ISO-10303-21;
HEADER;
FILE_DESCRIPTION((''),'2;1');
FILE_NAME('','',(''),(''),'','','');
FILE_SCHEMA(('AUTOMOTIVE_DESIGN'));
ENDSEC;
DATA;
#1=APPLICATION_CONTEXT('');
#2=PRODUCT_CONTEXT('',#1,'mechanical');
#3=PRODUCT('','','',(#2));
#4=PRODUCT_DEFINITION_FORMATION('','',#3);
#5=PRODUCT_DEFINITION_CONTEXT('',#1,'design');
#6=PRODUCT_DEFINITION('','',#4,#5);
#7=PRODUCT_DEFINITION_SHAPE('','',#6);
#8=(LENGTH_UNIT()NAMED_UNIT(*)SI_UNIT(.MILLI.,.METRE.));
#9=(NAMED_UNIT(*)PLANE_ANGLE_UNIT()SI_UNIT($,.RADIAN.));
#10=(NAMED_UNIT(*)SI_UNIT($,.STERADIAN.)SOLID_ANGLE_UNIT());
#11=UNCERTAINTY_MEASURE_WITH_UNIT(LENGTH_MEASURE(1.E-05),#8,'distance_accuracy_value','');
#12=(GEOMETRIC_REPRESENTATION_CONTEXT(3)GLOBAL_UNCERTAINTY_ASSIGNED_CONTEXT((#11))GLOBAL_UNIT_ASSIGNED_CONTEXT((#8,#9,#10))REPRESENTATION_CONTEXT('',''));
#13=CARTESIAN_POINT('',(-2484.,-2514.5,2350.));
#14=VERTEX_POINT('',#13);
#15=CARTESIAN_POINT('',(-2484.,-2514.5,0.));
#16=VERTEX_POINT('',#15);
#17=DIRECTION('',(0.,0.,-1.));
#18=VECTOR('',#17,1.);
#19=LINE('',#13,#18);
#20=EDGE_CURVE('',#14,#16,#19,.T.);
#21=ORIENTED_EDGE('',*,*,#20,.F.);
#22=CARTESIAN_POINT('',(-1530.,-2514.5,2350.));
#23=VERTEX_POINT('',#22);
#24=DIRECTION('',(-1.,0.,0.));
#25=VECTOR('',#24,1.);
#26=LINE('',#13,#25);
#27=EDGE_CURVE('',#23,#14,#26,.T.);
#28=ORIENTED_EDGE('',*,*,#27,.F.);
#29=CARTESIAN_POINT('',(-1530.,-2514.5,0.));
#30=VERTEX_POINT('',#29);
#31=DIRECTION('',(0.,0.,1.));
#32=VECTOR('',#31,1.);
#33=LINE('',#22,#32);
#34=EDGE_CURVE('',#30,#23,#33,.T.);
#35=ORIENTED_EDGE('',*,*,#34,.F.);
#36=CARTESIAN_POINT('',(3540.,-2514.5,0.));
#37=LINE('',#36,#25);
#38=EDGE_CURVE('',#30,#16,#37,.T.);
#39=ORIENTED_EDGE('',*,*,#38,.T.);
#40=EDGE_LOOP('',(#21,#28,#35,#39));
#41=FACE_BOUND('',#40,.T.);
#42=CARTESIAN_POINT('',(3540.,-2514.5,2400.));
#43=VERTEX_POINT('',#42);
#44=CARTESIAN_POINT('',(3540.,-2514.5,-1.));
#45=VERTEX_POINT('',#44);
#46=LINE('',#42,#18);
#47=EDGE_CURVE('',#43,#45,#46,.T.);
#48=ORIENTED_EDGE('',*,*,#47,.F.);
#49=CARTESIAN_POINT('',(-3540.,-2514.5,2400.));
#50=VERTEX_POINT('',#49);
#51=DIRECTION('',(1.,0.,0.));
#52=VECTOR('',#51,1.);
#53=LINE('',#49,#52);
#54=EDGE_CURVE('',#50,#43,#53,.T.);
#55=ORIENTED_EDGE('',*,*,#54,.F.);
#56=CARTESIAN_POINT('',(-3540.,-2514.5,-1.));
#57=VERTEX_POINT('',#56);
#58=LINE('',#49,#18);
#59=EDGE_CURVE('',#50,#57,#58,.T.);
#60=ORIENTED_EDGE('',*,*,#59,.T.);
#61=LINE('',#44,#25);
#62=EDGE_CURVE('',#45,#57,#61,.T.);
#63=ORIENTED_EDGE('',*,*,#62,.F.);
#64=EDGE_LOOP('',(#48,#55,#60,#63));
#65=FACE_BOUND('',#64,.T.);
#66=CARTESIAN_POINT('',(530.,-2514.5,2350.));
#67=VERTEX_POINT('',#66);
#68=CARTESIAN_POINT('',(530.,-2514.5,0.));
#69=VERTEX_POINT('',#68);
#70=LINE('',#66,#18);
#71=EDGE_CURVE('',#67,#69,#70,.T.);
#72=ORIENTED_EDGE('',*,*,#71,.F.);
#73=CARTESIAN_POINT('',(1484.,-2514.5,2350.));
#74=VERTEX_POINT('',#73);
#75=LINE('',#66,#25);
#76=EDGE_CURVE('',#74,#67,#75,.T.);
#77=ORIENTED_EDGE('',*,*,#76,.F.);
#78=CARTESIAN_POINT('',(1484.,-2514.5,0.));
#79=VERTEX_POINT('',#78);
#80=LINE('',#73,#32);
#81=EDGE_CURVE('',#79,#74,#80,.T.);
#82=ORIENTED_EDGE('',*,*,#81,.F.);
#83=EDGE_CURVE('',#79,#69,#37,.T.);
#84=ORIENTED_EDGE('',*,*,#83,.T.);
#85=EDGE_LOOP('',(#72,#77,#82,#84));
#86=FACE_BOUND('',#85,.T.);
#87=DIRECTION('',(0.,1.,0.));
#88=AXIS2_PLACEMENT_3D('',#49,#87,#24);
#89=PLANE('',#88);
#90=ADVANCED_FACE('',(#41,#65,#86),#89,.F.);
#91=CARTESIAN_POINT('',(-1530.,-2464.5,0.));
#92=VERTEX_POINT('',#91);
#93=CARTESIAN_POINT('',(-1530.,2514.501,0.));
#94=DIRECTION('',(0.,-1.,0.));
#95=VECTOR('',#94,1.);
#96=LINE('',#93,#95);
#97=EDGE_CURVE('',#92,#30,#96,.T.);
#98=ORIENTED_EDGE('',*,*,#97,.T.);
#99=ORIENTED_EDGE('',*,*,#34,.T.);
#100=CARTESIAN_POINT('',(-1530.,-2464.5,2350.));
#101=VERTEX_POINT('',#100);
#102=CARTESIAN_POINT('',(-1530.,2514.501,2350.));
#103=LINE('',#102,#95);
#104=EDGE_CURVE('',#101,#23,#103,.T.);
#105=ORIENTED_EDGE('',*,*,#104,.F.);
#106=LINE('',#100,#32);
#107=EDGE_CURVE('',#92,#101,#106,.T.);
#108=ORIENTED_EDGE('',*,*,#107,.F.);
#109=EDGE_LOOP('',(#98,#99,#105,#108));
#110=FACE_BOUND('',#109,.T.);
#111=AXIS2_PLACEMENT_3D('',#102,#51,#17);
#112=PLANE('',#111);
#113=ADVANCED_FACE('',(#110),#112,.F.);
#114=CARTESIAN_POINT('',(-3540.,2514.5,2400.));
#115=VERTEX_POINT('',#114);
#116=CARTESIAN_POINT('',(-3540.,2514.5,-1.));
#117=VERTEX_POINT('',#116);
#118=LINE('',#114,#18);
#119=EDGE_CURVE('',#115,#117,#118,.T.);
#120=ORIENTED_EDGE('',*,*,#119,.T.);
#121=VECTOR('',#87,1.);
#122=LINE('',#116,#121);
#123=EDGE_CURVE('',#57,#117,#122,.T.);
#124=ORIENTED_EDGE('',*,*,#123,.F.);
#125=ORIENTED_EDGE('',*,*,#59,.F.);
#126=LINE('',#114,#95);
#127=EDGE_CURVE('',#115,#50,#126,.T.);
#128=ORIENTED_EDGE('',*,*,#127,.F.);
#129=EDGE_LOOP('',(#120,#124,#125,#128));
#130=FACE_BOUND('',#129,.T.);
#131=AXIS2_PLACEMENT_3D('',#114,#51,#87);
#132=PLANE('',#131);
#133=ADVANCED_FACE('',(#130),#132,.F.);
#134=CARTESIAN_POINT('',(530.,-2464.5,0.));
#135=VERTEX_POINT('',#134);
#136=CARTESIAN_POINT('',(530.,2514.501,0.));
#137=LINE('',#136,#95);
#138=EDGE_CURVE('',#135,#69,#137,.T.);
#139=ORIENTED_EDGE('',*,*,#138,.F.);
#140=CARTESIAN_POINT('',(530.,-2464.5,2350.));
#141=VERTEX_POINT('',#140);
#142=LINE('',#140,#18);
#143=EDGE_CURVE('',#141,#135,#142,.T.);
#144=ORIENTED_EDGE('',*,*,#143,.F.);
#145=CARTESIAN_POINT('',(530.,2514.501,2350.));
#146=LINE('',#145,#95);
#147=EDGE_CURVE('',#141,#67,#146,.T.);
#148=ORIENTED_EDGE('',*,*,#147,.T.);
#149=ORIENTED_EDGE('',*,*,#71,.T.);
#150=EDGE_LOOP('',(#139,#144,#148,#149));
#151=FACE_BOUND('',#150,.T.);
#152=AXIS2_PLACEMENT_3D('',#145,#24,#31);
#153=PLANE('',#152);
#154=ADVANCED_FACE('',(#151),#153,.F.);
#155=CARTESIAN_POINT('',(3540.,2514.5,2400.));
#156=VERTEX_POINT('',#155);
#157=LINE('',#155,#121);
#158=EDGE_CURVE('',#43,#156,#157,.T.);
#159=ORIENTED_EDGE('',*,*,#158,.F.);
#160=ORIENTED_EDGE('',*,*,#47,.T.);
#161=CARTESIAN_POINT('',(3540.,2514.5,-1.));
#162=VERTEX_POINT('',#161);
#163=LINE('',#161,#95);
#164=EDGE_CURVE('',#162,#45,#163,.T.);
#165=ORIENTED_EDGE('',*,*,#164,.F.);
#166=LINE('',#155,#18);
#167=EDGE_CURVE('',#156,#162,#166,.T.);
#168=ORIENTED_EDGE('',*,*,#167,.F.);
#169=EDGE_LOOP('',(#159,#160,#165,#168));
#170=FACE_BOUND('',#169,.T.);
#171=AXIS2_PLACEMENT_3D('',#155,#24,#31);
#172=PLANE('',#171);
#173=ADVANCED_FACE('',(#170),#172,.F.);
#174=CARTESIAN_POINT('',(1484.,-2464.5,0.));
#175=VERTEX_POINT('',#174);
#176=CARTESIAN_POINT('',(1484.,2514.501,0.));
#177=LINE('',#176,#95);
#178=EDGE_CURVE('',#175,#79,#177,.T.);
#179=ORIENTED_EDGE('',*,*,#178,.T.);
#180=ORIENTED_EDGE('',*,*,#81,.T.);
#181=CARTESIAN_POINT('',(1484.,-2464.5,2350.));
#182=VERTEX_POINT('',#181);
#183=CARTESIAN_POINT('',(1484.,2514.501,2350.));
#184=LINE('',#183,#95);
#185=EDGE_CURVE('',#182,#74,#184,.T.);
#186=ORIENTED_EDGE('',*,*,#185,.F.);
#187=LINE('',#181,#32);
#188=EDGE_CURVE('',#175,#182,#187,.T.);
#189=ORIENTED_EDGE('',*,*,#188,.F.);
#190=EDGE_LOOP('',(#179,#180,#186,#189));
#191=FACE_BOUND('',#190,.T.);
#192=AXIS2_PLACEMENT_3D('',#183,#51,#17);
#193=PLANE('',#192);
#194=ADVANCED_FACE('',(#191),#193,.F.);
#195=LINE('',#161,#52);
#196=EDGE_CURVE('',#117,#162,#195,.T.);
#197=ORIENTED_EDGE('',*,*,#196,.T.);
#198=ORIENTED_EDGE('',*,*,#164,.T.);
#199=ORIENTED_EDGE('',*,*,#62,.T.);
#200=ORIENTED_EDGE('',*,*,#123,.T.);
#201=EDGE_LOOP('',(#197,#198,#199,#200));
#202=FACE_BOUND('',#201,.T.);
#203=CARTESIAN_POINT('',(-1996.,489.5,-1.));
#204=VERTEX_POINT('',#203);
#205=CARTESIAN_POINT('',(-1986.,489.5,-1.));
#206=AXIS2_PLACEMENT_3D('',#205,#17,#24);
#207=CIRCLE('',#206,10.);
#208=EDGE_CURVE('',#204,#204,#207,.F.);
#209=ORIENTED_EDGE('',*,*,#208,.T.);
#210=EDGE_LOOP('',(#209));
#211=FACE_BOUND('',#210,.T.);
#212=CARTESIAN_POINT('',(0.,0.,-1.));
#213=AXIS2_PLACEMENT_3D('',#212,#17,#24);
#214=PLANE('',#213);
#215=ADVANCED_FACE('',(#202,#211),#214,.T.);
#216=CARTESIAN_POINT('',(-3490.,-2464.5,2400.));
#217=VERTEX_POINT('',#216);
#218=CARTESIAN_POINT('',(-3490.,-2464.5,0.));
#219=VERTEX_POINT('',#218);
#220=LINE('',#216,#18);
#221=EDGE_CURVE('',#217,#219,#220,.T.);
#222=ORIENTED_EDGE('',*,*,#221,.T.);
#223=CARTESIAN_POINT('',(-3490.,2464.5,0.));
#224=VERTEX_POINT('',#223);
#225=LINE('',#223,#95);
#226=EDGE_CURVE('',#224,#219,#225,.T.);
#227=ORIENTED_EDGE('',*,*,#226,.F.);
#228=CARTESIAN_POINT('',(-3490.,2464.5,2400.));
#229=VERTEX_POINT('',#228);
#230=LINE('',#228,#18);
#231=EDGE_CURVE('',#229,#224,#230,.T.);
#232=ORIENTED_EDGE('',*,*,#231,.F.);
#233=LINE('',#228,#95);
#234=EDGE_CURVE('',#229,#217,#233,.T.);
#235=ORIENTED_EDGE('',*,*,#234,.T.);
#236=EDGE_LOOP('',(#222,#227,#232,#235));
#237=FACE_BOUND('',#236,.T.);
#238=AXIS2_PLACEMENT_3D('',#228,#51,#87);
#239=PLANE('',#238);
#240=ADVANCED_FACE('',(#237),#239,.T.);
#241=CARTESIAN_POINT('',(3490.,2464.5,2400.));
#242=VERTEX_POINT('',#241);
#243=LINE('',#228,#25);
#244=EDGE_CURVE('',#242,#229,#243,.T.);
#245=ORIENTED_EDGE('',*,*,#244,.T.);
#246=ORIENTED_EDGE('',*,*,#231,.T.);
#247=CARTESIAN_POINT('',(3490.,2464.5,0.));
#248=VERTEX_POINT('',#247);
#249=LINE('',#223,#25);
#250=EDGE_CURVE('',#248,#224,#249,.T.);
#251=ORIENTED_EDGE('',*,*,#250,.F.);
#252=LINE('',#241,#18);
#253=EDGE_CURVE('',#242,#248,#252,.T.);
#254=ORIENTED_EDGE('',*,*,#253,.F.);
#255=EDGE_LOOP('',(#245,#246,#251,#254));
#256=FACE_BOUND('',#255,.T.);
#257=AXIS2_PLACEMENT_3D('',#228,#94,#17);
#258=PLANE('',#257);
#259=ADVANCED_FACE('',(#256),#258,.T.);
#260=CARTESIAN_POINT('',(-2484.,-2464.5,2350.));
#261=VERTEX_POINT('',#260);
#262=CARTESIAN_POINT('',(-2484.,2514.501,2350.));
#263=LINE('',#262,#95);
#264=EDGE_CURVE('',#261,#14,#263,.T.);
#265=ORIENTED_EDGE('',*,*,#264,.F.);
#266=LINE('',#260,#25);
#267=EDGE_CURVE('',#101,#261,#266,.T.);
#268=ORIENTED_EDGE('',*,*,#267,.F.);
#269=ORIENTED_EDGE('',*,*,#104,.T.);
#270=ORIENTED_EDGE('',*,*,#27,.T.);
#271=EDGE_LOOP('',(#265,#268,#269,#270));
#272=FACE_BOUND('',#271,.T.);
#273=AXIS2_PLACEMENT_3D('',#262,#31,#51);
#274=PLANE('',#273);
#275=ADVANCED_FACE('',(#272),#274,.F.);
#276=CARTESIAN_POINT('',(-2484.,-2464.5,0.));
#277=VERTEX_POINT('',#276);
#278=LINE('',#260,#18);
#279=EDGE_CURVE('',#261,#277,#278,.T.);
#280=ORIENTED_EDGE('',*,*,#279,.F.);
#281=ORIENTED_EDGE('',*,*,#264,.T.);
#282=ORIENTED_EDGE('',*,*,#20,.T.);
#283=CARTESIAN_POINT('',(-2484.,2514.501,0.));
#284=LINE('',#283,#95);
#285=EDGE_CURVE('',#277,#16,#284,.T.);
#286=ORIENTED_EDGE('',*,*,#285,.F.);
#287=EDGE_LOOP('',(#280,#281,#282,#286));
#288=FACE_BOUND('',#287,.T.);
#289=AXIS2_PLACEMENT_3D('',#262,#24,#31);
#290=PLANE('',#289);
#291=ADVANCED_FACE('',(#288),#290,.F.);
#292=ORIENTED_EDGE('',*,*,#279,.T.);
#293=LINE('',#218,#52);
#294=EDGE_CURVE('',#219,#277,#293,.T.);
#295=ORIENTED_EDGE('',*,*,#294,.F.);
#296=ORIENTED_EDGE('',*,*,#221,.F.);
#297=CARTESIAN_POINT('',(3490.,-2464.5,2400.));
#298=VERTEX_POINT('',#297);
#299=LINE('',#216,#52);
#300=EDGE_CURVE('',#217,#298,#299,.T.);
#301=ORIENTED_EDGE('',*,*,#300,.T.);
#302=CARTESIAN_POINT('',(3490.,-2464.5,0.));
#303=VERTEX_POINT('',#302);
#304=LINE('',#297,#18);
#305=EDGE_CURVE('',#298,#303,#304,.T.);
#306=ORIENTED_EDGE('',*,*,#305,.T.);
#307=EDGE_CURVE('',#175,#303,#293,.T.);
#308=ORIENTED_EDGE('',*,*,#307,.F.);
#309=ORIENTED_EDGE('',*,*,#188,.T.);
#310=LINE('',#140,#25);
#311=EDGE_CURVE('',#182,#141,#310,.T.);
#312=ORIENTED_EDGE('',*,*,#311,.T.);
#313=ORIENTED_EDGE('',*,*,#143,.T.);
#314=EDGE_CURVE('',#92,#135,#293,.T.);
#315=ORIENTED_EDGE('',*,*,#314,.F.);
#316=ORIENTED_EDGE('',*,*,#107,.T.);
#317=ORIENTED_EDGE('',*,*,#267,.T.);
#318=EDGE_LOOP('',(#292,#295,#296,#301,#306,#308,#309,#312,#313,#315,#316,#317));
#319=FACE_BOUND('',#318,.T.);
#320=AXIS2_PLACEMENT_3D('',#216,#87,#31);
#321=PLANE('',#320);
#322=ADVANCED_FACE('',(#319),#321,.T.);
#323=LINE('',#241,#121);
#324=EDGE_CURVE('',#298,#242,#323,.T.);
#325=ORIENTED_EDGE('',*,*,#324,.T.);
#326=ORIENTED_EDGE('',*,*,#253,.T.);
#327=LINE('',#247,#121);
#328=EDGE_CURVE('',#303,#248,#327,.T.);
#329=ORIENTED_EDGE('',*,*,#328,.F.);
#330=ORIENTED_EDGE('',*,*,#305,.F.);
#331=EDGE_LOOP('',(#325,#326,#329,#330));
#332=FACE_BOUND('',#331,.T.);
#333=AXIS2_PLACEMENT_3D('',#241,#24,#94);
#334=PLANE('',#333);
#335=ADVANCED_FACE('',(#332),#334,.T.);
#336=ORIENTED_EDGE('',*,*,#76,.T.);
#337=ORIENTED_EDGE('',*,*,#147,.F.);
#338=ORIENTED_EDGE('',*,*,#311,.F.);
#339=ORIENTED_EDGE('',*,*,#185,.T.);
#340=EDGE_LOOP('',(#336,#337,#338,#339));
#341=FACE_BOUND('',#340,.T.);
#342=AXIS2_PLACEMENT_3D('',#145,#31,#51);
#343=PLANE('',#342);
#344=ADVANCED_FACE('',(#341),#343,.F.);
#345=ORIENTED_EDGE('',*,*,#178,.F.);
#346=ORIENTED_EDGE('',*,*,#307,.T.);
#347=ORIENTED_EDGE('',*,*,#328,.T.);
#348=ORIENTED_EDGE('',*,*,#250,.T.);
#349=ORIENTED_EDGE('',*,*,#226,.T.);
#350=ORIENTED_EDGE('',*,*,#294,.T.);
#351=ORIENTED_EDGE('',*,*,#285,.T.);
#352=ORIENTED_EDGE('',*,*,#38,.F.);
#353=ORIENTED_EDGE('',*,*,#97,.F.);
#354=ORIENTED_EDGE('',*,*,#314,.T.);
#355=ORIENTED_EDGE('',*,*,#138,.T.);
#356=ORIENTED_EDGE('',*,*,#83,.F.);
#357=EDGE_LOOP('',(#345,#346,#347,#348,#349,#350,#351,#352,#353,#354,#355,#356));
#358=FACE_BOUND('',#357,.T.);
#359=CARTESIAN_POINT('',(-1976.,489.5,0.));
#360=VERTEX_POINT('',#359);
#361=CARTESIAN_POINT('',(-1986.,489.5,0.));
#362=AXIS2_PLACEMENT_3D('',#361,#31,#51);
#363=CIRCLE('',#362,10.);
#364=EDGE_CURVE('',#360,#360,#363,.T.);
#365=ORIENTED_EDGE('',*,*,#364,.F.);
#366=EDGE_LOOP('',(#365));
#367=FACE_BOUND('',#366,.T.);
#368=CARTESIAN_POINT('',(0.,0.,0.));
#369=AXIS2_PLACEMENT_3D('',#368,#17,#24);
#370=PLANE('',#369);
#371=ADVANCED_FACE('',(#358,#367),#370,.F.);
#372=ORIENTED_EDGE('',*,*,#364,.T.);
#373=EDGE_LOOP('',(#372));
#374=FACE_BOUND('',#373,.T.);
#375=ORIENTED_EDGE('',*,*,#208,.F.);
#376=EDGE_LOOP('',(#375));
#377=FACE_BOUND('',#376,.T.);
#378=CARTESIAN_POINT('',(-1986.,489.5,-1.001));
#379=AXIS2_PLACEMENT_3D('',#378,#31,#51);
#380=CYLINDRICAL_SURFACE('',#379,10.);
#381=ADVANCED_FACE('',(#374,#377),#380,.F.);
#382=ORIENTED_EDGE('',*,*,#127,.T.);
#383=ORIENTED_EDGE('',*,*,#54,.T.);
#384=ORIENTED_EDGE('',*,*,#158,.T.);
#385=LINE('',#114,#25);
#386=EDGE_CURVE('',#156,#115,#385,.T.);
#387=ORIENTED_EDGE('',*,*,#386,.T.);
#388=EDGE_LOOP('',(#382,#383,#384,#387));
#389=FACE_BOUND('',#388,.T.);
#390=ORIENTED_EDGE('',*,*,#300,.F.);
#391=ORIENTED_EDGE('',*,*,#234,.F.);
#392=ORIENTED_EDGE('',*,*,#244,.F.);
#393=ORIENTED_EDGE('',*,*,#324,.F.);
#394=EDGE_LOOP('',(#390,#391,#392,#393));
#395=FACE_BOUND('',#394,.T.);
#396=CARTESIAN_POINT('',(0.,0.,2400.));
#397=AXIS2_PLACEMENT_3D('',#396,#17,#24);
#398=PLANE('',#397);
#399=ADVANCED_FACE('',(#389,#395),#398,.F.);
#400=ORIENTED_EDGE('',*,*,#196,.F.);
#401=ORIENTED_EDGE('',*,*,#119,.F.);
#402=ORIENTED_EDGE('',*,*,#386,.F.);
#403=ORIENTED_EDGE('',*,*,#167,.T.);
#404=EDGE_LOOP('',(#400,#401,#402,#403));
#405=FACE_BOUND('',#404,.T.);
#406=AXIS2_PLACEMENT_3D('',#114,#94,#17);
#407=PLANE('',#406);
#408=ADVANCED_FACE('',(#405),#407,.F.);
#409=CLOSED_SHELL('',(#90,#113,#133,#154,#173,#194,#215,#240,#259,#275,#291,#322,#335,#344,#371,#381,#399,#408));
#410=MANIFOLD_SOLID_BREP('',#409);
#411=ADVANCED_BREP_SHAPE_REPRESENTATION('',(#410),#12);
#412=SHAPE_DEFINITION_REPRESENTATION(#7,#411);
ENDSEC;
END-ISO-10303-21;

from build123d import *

# Parameters (mm, degrees)
CROQUIS1_W              = 7080
CROQUIS1_H              = 5029
CROQUIS1_W_2            = 6980
CROQUIS1_H_2            = 4929
SALIENTE_EXTRUIR1_DEPTH = 2400
CORTAR_EXTRUIR1_REACH   = 5031
CROQUIS2_W              = 954
CROQUIS2_H              = 2350
CROQUIS3_W              = 7080
CROQUIS3_H              = 5029
SALIENTE_EXTRUIR2_DEPTH = 1
CORTAR_EXTRUIR2_REACH   = 3
CROQUIS4_R              = 10


with BuildPart() as part:
    # Croquis1 → Saliente-Extruir1 (new body)
    with BuildSketch(Plane.XY):
        Rectangle(CROQUIS1_W, CROQUIS1_H)
        Rectangle(CROQUIS1_W_2, CROQUIS1_H_2, mode=Mode.SUBTRACT)
    extrude(amount=SALIENTE_EXTRUIR1_DEPTH)

    # Croquis2 → Cortar-Extruir1 (cut, up to next)
    with BuildSketch(Plane.XZ.offset(2514.5), mode=Mode.PRIVATE) as cortar_extruir1_sk1:
        with Locations((-2007, 1175)):
            Rectangle(CROQUIS2_W, CROQUIS2_H)
    cortar_extruir1_tool1 = extrude(cortar_extruir1_sk1.sketch, amount=-CORTAR_EXTRUIR1_REACH, mode=Mode.PRIVATE) & part.part
    add(cortar_extruir1_tool1.solids().sort_by_distance((-2007, -2514.5, 1175))[0], mode=Mode.SUBTRACT)
    # Croquis2 → Cortar-Extruir1 (cut, up to next)
    with BuildSketch(Plane.XZ.offset(2514.5), mode=Mode.PRIVATE) as cortar_extruir1_sk2:
        with Locations((1007, 1175)):
            Rectangle(CROQUIS2_W, CROQUIS2_H)
    cortar_extruir1_tool2 = extrude(cortar_extruir1_sk2.sketch, amount=-CORTAR_EXTRUIR1_REACH, mode=Mode.PRIVATE) & part.part
    add(cortar_extruir1_tool2.solids().sort_by_distance((1007, -2514.5, 1175))[0], mode=Mode.SUBTRACT)

    # Croquis3 → Saliente-Extruir2 (add)
    with BuildSketch(Plane(origin=(0, 0, 0), x_dir=(-1, 0, 0), z_dir=(0, 0, -1))):
        Rectangle(CROQUIS3_W, CROQUIS3_H)
    extrude(amount=SALIENTE_EXTRUIR2_DEPTH)

    # Croquis4 → Cortar-Extruir2 (cut, up to next)
    with BuildSketch(Plane.XY, mode=Mode.PRIVATE) as cortar_extruir2_sk1:
        with Locations((-1986, 489.5)):
            Circle(CROQUIS4_R)
    cortar_extruir2_tool1 = extrude(cortar_extruir2_sk1.sketch, amount=-CORTAR_EXTRUIR2_REACH, mode=Mode.PRIVATE) & part.part
    add(cortar_extruir2_tool1.solids().sort_by_distance((-1986, 489.5, 0))[0], mode=Mode.SUBTRACT)


solid = part.part
